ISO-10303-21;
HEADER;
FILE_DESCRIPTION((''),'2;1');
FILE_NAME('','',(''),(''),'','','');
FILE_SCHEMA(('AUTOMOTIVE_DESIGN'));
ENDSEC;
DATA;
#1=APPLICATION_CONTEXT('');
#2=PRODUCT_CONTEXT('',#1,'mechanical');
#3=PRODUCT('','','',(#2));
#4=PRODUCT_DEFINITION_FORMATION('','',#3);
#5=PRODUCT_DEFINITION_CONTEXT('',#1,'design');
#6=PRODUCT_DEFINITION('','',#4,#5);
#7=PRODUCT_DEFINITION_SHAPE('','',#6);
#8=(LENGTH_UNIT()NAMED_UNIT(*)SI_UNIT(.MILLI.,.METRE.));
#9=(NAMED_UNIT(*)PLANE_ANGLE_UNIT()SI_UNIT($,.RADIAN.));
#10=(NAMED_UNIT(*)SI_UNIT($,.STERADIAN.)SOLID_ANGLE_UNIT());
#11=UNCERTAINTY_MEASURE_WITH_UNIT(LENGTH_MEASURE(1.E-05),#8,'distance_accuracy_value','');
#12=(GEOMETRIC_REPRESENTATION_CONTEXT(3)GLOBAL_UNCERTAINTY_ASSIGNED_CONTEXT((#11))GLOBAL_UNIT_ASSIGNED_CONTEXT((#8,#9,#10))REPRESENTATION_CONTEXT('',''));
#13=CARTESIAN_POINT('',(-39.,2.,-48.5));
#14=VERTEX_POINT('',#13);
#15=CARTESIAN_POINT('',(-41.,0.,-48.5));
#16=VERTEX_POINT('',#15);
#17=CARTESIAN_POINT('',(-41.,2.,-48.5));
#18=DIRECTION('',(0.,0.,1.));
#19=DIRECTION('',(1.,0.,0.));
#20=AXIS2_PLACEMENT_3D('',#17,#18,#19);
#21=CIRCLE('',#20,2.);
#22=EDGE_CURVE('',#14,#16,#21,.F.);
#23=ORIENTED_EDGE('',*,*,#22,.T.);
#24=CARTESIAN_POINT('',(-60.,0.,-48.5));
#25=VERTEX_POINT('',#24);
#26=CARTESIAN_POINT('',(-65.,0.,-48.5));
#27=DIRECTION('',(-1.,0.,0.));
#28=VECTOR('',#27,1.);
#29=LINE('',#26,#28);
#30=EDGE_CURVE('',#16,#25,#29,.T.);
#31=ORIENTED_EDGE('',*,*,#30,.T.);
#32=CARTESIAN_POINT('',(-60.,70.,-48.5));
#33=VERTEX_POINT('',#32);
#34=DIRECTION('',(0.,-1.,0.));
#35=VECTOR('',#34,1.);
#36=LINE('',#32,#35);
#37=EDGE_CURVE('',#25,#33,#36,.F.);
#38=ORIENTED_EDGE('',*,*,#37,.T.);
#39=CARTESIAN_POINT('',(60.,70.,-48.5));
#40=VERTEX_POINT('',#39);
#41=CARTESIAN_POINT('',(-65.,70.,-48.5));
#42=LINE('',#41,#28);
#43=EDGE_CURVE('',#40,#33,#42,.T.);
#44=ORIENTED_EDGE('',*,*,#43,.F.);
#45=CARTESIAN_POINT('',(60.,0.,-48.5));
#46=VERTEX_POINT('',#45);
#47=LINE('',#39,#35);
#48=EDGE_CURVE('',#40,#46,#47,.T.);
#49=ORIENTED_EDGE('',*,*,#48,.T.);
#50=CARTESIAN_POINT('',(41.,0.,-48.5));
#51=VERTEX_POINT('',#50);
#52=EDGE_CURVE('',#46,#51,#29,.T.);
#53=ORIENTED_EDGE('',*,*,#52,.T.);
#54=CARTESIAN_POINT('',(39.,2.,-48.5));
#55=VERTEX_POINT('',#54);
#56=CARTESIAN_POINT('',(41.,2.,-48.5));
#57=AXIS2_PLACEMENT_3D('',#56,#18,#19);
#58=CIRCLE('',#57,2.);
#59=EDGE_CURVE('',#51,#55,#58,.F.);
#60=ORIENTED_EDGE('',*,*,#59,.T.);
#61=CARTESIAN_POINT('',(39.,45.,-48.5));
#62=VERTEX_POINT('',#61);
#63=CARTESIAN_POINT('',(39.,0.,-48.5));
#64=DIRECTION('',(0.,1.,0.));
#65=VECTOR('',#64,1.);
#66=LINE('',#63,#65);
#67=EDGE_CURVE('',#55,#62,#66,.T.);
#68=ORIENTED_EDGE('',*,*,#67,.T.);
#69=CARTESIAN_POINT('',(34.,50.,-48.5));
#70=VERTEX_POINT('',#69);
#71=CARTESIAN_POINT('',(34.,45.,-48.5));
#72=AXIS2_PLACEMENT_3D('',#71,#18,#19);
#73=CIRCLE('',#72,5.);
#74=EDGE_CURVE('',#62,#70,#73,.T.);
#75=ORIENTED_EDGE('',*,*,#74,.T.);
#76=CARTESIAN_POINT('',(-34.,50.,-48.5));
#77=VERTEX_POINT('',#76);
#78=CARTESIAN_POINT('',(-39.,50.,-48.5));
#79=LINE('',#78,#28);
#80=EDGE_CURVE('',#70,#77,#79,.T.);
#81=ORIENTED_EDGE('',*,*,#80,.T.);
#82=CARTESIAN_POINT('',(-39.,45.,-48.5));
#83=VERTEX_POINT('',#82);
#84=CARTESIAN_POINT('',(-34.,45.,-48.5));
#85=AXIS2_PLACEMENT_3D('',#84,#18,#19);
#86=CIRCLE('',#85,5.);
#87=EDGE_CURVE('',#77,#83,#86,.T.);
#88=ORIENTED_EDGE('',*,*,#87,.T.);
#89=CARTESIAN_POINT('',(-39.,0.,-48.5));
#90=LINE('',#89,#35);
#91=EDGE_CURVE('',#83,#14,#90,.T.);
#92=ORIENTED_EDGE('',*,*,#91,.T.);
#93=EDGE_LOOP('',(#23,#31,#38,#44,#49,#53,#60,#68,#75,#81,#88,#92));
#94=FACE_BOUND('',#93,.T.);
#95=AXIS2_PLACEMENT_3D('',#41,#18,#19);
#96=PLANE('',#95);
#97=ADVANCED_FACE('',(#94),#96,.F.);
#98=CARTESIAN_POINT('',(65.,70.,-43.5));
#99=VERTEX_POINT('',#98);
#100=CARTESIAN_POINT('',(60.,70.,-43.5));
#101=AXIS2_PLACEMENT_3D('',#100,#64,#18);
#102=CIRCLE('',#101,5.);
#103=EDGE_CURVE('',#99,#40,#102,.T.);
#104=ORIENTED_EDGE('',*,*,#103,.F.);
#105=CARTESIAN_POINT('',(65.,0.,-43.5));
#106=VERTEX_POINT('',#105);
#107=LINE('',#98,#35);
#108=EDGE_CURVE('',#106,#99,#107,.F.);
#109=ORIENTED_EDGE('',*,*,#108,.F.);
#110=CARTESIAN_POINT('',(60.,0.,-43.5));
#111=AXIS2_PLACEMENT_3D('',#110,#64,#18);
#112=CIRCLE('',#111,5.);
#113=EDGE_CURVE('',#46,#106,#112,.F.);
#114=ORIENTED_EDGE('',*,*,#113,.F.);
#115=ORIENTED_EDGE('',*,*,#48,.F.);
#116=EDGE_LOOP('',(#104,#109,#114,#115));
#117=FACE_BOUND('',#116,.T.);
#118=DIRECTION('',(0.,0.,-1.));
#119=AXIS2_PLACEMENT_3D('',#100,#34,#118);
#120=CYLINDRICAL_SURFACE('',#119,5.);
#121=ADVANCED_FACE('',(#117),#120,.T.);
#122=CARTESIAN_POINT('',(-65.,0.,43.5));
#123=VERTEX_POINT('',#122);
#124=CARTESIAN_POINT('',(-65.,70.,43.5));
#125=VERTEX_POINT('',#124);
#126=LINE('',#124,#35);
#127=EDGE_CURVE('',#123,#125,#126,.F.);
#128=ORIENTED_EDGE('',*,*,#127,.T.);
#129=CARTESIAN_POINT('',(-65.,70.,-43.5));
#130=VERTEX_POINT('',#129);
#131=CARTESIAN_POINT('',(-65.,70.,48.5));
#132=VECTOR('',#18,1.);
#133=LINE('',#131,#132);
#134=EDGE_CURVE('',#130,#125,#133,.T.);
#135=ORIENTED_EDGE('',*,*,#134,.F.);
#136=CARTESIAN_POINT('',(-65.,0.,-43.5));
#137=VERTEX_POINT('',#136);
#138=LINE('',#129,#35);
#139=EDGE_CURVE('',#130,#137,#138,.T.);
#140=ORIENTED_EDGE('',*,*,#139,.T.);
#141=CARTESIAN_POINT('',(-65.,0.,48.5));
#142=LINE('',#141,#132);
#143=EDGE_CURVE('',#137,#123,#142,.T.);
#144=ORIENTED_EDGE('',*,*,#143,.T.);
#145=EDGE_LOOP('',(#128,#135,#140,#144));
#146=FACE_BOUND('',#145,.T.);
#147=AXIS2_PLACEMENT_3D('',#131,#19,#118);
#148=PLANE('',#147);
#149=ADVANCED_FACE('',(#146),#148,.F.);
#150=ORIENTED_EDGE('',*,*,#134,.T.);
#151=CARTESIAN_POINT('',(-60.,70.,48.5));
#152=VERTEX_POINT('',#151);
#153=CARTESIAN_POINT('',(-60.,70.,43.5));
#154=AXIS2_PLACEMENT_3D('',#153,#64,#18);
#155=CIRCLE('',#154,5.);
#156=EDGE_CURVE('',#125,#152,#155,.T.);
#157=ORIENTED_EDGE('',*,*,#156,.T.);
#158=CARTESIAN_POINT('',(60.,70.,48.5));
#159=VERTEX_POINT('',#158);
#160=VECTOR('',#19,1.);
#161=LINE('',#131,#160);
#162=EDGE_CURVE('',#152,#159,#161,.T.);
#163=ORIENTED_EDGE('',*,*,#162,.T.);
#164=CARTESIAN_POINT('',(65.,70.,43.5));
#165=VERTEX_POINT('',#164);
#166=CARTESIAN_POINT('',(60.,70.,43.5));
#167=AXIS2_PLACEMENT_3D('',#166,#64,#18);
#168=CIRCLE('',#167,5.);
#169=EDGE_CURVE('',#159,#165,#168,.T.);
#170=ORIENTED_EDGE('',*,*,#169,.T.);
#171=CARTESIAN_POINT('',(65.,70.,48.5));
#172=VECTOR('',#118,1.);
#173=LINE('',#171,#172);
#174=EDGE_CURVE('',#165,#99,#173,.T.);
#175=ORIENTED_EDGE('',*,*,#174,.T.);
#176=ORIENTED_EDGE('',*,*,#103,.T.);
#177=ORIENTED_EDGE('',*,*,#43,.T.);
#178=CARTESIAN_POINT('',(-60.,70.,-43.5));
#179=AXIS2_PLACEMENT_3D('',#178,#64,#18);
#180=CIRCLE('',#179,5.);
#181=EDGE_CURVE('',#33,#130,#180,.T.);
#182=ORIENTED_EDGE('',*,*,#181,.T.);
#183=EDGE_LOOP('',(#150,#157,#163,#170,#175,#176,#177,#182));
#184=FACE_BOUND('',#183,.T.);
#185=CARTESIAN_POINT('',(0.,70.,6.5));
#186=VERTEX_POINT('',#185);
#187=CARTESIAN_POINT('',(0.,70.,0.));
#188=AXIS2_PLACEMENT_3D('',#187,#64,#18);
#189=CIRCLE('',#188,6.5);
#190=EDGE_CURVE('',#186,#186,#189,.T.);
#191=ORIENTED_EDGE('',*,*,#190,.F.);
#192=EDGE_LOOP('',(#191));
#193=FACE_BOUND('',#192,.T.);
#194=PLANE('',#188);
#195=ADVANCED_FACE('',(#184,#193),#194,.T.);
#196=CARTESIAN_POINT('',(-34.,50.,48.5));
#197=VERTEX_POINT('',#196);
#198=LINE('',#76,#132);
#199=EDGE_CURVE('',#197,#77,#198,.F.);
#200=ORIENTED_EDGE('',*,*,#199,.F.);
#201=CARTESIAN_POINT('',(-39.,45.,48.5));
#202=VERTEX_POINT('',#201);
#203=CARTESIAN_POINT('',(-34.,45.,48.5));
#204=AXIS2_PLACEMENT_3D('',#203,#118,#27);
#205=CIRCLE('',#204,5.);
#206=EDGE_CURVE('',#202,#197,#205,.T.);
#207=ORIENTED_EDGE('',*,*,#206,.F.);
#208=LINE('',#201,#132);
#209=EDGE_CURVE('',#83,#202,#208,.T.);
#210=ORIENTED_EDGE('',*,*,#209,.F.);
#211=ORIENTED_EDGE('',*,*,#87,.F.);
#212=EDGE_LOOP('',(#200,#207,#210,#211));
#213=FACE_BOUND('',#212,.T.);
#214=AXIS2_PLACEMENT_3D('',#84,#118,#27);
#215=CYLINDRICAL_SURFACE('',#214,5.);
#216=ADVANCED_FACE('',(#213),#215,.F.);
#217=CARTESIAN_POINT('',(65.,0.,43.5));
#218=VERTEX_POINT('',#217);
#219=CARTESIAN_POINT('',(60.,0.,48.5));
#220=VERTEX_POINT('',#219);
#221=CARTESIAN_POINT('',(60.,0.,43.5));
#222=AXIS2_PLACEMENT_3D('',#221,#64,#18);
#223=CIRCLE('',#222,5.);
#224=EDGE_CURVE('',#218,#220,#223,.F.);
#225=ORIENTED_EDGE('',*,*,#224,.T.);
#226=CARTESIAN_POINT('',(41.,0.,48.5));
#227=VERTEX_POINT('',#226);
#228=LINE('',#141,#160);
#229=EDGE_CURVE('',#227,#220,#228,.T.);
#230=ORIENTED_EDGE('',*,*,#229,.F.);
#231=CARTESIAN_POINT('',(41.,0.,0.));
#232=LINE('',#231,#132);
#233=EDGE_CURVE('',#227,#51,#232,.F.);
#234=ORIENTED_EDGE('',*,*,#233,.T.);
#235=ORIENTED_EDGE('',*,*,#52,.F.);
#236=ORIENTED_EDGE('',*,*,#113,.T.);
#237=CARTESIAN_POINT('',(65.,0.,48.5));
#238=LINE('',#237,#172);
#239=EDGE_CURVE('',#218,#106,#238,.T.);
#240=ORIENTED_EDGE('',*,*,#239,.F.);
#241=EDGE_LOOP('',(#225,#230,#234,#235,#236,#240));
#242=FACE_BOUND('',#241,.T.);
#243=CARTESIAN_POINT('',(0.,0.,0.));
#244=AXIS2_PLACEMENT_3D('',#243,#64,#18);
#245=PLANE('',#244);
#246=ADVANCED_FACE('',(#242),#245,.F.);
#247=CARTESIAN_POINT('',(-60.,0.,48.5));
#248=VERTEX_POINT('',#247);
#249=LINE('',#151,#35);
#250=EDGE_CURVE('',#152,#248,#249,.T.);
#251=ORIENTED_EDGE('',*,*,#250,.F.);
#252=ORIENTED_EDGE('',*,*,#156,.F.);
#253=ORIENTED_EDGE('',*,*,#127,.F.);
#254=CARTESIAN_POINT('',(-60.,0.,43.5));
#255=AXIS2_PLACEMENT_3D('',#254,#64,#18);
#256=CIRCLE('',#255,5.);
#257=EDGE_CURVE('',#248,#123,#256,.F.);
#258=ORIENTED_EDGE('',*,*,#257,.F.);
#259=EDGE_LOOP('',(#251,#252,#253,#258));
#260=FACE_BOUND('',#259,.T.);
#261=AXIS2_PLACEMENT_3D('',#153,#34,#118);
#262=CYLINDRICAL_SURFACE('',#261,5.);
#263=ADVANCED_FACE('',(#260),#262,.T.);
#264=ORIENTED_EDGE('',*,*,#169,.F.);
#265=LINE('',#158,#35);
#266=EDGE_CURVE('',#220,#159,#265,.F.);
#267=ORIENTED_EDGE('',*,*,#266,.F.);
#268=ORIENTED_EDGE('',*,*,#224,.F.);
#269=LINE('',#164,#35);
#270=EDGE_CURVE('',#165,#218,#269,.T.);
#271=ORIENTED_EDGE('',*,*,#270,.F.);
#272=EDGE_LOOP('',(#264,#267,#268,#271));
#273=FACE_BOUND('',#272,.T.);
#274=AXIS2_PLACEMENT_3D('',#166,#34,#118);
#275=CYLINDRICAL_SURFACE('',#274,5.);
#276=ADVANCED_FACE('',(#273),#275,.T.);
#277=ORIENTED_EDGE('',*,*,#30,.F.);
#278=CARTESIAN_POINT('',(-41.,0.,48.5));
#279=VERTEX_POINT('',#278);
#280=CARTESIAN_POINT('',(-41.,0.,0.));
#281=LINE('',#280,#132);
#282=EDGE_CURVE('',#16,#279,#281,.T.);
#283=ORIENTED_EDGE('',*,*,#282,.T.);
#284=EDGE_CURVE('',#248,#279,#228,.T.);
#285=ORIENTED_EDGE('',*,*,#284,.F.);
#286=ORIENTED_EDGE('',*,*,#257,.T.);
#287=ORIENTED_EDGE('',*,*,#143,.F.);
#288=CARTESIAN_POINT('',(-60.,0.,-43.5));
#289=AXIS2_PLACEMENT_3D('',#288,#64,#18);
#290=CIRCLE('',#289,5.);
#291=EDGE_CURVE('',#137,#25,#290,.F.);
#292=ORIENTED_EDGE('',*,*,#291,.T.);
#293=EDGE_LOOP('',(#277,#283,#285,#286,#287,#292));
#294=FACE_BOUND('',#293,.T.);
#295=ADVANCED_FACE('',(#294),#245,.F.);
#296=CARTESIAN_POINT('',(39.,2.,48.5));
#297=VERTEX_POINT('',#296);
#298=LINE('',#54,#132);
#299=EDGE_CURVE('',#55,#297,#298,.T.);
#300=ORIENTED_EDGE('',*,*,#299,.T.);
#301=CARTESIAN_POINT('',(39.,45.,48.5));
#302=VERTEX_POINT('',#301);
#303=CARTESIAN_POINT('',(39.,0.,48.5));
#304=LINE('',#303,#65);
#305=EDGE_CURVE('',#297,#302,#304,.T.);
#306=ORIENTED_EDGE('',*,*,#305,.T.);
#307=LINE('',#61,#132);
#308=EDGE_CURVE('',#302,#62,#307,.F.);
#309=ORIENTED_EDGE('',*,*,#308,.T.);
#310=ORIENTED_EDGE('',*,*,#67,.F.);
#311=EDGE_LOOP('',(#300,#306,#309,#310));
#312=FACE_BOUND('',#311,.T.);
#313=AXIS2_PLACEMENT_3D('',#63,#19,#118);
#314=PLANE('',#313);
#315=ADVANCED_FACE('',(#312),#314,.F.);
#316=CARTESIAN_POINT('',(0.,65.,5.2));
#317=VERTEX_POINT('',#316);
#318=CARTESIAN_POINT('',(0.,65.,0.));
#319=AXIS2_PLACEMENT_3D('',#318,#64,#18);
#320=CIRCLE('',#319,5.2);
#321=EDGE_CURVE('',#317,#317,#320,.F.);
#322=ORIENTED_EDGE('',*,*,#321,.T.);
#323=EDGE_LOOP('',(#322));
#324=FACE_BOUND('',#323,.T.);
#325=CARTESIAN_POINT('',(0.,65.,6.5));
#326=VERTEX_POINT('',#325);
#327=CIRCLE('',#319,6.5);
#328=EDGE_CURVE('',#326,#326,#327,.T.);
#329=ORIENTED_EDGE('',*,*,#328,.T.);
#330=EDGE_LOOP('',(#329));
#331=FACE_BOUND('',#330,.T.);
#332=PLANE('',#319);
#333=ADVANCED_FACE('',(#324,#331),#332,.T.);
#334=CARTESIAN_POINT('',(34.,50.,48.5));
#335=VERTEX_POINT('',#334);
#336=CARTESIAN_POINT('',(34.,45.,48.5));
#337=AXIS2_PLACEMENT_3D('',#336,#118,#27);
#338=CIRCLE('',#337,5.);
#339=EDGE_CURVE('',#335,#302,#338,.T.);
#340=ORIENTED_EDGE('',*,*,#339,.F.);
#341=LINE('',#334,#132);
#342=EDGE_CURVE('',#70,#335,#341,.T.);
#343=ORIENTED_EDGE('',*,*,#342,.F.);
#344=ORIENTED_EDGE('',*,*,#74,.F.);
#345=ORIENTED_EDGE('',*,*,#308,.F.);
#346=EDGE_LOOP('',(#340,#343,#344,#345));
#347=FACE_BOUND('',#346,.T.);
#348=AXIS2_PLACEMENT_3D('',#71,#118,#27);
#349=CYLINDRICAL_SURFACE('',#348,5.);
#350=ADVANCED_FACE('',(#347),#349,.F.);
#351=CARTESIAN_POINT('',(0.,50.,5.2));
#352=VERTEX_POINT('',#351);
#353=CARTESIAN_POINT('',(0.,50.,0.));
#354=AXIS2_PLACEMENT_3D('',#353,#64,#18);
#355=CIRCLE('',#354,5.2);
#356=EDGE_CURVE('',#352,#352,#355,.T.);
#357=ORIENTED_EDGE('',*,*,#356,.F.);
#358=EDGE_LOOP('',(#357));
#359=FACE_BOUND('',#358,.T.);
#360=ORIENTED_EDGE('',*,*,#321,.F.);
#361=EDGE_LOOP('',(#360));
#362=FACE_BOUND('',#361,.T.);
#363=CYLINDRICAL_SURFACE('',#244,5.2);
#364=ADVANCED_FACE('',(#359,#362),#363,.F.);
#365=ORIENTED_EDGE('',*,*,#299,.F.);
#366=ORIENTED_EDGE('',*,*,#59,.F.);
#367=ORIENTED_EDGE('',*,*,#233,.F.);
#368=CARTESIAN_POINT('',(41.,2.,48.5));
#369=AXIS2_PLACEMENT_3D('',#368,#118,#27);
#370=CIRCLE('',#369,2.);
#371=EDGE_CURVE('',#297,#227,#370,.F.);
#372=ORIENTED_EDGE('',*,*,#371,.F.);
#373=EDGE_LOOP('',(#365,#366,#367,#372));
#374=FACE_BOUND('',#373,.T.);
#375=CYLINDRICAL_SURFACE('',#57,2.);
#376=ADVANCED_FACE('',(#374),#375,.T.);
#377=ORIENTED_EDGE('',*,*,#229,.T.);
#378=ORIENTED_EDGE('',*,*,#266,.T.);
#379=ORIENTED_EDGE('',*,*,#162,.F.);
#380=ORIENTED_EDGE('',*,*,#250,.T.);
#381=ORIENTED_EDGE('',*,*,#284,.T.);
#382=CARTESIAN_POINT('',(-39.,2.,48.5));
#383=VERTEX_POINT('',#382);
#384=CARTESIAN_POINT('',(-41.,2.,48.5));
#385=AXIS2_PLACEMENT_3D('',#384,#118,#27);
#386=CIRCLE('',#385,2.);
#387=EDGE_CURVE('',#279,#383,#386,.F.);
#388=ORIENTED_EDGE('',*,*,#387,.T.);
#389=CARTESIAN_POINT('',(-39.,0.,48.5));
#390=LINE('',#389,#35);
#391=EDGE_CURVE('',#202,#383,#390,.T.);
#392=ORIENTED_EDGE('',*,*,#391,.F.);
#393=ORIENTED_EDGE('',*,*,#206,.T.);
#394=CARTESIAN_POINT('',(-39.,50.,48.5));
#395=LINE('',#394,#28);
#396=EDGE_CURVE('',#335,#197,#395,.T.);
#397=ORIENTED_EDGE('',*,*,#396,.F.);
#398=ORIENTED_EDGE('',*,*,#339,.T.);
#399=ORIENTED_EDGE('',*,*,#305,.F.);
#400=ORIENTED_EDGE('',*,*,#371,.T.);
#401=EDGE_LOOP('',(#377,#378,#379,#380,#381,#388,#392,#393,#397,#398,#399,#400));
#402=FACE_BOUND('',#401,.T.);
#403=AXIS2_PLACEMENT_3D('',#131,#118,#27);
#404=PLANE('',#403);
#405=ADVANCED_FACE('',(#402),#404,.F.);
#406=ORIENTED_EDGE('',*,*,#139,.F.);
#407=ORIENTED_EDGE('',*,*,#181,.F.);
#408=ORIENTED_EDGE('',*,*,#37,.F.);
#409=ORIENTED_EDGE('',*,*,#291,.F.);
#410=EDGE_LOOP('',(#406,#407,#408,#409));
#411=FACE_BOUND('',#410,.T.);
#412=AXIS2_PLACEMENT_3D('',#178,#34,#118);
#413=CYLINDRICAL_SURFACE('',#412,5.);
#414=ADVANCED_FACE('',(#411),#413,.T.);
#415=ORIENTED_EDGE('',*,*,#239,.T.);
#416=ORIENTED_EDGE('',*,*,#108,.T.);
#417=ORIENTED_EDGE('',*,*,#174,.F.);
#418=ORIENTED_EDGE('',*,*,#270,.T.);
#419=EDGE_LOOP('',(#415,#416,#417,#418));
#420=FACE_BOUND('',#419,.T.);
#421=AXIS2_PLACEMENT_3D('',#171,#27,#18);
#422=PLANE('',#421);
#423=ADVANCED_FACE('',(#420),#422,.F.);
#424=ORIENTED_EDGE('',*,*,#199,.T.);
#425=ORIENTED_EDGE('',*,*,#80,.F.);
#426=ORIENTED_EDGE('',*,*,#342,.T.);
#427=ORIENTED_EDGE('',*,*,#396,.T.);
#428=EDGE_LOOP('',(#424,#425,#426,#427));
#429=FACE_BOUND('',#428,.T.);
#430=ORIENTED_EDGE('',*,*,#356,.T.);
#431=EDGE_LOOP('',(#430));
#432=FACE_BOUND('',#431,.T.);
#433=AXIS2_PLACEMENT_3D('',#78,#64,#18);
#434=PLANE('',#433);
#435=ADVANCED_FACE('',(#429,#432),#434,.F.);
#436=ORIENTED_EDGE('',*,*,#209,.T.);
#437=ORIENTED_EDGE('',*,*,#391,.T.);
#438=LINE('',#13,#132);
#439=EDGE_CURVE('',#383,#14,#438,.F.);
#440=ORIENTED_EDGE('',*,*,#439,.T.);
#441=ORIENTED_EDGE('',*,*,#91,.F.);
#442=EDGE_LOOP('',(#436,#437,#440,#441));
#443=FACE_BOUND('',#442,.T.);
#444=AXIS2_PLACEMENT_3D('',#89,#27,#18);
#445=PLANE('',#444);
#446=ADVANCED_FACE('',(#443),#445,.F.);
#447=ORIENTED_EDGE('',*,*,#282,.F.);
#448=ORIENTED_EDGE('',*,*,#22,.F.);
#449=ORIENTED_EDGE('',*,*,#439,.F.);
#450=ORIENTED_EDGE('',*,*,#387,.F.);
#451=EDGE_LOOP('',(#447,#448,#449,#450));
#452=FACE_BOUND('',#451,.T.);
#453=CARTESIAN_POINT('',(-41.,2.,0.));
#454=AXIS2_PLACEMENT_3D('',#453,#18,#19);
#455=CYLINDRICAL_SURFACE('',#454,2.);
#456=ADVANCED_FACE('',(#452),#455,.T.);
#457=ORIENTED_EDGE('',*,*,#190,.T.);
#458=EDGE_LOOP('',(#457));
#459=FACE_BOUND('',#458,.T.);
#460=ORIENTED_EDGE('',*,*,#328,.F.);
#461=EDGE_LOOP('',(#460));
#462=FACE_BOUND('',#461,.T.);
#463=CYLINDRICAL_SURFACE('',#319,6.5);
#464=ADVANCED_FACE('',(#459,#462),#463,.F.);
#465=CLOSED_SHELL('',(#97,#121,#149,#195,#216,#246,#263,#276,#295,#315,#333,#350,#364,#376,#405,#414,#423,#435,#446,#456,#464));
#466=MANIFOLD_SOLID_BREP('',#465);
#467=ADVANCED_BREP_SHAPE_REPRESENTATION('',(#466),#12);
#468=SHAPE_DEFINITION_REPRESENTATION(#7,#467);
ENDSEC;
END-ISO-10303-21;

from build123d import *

# Parameters (mm, degrees)
SKETCH1_W           = 130
SKETCH1_H           = 97
BOSS_EXTRUDE1_DEPTH = 70
SKETCH2_W           = 78
SKETCH2_H           = 50
CUT_EXTRUDE1_DEPTH  = 137.1396342
FILLET3_R           = 5
SKETCH3_R           = 5.2
CUT_EXTRUDE2_DEPTH  = 108.131928014
SKETCH4_R           = 6.5
CUT_EXTRUDE3_DEPTH  = 5
FILLET2_R           = 5
FILLET4_R           = 2


with BuildPart() as part:
    # Sketch1 → Boss-Extrude1 (new body)
    with BuildSketch(Plane(origin=(0, 0, 0), x_dir=(1, 0, 0), z_dir=(0, 1, 0))):
        Rectangle(SKETCH1_W, SKETCH1_H)
    extrude(amount=BOSS_EXTRUDE1_DEPTH)

    # Sketch2 → Cut-Extrude1 (cut, through all)
    with BuildSketch(Plane.XY.offset(48.5)):
        with Locations((0, 25)):
            Rectangle(SKETCH2_W, SKETCH2_H)
    extrude(amount=-CUT_EXTRUDE1_DEPTH, mode=Mode.SUBTRACT)

    # Fillet3
    fillet3_edges = [part.edges().sort_by_distance(p)[0] for p in [
        (-39, 50, 0),
        (39, 50, 0),
    ]]
    fillet(fillet3_edges, radius=FILLET3_R)

    # Sketch3 → Cut-Extrude2 (cut, through all)
    with BuildSketch(Plane(origin=(0, 70, 0), x_dir=(1, 0, 0), z_dir=(0, 1, 0))):
        with Locations(Location((0, 0, 0), (0, 0, 270))):
            Circle(SKETCH3_R)
    extrude(amount=-CUT_EXTRUDE2_DEPTH, mode=Mode.SUBTRACT)

    # Sketch4 → Cut-Extrude3 (cut)
    with BuildSketch(Plane(origin=(0, 70, 0), x_dir=(1, 0, 0), z_dir=(0, 1, 0))):
        with Locations(Location((0, 0, 0), (0, 0, 270))):
            Circle(SKETCH4_R)
    extrude(amount=-CUT_EXTRUDE3_DEPTH, mode=Mode.SUBTRACT)

    # Fillet2
    fillet2_edges = [part.edges().sort_by_distance(p)[0] for p in [
        (-65, 35, 48.5),
        (-65, 35, -48.5),
        (65, 35, -48.5),
        (65, 35, 48.5),
    ]]
    fillet(fillet2_edges, radius=FILLET2_R)

    # Fillet4
    fillet4_edges = [part.edges().sort_by_distance(p)[0] for p in [
        (-39, 0, 0),
        (39, 0, 0),
    ]]
    fillet(fillet4_edges, radius=FILLET4_R)


solid = part.part
